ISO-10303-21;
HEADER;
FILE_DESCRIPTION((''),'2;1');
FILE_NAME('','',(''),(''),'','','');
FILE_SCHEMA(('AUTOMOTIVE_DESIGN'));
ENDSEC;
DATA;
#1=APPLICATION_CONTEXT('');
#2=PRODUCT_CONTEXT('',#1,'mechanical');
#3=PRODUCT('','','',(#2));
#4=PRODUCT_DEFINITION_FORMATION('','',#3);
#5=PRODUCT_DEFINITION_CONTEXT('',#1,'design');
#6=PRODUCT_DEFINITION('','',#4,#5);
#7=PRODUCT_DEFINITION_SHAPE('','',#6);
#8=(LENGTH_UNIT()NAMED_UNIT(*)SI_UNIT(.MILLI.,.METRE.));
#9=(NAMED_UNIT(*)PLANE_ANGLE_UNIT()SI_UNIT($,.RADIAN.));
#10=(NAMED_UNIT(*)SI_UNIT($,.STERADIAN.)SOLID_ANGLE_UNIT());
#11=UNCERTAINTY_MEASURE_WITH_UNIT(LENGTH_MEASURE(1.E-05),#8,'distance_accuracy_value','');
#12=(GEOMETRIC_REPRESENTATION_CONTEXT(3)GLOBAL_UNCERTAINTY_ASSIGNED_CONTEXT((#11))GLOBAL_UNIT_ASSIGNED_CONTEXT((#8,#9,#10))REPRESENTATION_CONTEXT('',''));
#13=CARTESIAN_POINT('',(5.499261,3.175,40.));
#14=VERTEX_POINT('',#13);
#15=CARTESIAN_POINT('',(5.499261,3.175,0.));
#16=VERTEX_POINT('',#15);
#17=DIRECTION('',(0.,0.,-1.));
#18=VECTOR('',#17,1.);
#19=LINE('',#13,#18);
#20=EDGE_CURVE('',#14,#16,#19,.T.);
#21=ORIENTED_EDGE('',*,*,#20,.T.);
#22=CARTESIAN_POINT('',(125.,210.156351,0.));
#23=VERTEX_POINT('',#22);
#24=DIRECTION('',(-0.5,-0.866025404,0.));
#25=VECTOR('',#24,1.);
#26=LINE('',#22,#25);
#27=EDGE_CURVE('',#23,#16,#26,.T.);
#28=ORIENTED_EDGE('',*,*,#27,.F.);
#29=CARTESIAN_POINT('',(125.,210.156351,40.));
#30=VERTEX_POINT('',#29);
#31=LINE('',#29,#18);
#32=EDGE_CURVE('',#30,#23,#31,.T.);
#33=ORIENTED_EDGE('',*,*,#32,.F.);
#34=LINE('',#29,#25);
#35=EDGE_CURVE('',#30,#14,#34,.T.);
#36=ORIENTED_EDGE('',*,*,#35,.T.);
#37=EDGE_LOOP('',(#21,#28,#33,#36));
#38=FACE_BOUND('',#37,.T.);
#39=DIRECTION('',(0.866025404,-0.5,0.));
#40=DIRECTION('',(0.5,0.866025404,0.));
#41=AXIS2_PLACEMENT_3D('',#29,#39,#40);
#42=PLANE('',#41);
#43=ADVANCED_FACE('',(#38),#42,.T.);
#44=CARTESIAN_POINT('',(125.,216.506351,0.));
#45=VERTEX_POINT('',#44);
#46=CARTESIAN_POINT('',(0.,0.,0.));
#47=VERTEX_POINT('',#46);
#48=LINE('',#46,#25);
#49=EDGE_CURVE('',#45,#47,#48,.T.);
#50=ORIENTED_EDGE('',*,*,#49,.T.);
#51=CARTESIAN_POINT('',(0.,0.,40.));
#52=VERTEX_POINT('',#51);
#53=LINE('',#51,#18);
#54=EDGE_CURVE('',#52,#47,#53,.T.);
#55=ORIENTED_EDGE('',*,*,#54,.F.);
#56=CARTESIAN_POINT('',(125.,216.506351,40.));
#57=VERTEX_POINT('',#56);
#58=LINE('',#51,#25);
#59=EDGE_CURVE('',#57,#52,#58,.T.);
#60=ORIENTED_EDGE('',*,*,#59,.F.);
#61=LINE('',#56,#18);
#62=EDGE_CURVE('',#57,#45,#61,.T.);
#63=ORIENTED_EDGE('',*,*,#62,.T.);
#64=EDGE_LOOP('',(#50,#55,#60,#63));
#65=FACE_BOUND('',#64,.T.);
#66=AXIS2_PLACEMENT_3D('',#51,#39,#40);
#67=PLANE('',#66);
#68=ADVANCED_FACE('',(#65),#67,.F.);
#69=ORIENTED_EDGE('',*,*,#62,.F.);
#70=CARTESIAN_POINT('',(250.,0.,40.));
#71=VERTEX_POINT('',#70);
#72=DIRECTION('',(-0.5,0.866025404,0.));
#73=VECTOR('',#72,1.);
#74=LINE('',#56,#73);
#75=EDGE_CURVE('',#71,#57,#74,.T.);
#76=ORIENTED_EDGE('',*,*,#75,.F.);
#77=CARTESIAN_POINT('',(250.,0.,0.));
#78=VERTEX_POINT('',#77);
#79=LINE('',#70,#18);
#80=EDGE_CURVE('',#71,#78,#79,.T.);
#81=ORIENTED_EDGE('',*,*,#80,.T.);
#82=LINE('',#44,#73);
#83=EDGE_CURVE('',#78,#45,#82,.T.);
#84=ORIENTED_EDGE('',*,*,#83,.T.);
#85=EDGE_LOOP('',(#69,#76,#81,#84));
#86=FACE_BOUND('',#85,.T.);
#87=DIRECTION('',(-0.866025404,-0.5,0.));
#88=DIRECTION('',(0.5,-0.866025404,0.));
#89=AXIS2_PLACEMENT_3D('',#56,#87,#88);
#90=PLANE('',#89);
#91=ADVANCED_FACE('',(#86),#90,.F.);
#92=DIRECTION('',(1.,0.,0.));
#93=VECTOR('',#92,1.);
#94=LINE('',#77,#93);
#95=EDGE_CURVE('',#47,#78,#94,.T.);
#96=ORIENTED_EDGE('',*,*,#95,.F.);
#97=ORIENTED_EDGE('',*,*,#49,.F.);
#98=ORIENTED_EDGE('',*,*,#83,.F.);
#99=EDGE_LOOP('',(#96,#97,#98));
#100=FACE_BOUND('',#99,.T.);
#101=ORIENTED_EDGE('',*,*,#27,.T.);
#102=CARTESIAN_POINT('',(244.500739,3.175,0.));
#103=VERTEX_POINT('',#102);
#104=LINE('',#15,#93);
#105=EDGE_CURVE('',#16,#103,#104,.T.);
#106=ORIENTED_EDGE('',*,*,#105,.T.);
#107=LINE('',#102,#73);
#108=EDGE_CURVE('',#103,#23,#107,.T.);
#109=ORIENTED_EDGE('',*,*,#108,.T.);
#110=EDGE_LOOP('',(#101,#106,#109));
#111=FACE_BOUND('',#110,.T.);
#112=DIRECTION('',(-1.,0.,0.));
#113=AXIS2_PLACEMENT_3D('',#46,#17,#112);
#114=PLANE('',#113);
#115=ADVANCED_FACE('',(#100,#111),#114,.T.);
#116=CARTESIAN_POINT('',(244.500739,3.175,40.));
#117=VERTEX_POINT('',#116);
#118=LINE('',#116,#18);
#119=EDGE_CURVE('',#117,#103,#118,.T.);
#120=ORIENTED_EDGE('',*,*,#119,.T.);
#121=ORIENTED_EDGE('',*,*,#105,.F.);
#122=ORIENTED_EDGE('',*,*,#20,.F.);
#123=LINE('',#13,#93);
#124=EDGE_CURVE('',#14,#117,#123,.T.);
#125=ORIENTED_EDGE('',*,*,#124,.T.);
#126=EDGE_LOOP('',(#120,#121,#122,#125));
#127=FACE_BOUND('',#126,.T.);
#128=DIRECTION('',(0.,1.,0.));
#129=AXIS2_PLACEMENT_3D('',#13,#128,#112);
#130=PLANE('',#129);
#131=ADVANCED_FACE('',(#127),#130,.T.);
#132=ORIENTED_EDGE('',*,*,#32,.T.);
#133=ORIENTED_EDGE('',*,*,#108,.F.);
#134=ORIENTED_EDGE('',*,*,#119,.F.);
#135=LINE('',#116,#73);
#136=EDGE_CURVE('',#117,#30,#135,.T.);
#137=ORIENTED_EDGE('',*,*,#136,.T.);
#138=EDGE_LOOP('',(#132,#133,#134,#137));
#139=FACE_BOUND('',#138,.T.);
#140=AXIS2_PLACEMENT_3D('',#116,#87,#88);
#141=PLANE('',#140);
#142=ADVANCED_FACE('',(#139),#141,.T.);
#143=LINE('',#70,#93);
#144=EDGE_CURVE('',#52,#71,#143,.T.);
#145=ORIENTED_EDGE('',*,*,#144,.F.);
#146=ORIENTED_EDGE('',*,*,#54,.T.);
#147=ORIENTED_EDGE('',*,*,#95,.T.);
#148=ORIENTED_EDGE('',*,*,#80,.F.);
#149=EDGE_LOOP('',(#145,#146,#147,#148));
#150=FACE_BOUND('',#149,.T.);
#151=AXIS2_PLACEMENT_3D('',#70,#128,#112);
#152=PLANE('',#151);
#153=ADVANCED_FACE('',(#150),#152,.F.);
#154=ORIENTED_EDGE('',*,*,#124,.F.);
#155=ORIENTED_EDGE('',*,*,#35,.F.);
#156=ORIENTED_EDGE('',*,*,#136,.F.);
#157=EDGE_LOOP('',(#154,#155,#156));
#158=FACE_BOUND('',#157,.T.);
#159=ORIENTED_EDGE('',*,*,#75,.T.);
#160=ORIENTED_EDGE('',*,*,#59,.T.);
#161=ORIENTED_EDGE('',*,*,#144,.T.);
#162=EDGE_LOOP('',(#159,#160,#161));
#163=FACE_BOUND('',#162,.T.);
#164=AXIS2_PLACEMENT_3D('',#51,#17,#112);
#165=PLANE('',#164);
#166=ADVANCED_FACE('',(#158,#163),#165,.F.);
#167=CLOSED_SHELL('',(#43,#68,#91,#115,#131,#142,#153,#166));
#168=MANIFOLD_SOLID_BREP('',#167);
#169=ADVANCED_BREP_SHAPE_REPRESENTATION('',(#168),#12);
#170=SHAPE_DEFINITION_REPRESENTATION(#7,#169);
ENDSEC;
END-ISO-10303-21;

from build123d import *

# Parameters (mm, degrees)
BOSS_EXTRUDE2_DEPTH = 40


with BuildPart() as part:
    # Sketch2 → Boss-Extrude2 (new body)
    with BuildSketch(Plane.XY):
        Polygon((0, 0), (125, 216.506350946), (250, 0), align=None)
        Polygon((125, 210.156350946), (5.499261314, 3.175), (244.500738686, 3.175), align=None, mode=Mode.SUBTRACT)
    extrude(amount=BOSS_EXTRUDE2_DEPTH)


solid = part.part
